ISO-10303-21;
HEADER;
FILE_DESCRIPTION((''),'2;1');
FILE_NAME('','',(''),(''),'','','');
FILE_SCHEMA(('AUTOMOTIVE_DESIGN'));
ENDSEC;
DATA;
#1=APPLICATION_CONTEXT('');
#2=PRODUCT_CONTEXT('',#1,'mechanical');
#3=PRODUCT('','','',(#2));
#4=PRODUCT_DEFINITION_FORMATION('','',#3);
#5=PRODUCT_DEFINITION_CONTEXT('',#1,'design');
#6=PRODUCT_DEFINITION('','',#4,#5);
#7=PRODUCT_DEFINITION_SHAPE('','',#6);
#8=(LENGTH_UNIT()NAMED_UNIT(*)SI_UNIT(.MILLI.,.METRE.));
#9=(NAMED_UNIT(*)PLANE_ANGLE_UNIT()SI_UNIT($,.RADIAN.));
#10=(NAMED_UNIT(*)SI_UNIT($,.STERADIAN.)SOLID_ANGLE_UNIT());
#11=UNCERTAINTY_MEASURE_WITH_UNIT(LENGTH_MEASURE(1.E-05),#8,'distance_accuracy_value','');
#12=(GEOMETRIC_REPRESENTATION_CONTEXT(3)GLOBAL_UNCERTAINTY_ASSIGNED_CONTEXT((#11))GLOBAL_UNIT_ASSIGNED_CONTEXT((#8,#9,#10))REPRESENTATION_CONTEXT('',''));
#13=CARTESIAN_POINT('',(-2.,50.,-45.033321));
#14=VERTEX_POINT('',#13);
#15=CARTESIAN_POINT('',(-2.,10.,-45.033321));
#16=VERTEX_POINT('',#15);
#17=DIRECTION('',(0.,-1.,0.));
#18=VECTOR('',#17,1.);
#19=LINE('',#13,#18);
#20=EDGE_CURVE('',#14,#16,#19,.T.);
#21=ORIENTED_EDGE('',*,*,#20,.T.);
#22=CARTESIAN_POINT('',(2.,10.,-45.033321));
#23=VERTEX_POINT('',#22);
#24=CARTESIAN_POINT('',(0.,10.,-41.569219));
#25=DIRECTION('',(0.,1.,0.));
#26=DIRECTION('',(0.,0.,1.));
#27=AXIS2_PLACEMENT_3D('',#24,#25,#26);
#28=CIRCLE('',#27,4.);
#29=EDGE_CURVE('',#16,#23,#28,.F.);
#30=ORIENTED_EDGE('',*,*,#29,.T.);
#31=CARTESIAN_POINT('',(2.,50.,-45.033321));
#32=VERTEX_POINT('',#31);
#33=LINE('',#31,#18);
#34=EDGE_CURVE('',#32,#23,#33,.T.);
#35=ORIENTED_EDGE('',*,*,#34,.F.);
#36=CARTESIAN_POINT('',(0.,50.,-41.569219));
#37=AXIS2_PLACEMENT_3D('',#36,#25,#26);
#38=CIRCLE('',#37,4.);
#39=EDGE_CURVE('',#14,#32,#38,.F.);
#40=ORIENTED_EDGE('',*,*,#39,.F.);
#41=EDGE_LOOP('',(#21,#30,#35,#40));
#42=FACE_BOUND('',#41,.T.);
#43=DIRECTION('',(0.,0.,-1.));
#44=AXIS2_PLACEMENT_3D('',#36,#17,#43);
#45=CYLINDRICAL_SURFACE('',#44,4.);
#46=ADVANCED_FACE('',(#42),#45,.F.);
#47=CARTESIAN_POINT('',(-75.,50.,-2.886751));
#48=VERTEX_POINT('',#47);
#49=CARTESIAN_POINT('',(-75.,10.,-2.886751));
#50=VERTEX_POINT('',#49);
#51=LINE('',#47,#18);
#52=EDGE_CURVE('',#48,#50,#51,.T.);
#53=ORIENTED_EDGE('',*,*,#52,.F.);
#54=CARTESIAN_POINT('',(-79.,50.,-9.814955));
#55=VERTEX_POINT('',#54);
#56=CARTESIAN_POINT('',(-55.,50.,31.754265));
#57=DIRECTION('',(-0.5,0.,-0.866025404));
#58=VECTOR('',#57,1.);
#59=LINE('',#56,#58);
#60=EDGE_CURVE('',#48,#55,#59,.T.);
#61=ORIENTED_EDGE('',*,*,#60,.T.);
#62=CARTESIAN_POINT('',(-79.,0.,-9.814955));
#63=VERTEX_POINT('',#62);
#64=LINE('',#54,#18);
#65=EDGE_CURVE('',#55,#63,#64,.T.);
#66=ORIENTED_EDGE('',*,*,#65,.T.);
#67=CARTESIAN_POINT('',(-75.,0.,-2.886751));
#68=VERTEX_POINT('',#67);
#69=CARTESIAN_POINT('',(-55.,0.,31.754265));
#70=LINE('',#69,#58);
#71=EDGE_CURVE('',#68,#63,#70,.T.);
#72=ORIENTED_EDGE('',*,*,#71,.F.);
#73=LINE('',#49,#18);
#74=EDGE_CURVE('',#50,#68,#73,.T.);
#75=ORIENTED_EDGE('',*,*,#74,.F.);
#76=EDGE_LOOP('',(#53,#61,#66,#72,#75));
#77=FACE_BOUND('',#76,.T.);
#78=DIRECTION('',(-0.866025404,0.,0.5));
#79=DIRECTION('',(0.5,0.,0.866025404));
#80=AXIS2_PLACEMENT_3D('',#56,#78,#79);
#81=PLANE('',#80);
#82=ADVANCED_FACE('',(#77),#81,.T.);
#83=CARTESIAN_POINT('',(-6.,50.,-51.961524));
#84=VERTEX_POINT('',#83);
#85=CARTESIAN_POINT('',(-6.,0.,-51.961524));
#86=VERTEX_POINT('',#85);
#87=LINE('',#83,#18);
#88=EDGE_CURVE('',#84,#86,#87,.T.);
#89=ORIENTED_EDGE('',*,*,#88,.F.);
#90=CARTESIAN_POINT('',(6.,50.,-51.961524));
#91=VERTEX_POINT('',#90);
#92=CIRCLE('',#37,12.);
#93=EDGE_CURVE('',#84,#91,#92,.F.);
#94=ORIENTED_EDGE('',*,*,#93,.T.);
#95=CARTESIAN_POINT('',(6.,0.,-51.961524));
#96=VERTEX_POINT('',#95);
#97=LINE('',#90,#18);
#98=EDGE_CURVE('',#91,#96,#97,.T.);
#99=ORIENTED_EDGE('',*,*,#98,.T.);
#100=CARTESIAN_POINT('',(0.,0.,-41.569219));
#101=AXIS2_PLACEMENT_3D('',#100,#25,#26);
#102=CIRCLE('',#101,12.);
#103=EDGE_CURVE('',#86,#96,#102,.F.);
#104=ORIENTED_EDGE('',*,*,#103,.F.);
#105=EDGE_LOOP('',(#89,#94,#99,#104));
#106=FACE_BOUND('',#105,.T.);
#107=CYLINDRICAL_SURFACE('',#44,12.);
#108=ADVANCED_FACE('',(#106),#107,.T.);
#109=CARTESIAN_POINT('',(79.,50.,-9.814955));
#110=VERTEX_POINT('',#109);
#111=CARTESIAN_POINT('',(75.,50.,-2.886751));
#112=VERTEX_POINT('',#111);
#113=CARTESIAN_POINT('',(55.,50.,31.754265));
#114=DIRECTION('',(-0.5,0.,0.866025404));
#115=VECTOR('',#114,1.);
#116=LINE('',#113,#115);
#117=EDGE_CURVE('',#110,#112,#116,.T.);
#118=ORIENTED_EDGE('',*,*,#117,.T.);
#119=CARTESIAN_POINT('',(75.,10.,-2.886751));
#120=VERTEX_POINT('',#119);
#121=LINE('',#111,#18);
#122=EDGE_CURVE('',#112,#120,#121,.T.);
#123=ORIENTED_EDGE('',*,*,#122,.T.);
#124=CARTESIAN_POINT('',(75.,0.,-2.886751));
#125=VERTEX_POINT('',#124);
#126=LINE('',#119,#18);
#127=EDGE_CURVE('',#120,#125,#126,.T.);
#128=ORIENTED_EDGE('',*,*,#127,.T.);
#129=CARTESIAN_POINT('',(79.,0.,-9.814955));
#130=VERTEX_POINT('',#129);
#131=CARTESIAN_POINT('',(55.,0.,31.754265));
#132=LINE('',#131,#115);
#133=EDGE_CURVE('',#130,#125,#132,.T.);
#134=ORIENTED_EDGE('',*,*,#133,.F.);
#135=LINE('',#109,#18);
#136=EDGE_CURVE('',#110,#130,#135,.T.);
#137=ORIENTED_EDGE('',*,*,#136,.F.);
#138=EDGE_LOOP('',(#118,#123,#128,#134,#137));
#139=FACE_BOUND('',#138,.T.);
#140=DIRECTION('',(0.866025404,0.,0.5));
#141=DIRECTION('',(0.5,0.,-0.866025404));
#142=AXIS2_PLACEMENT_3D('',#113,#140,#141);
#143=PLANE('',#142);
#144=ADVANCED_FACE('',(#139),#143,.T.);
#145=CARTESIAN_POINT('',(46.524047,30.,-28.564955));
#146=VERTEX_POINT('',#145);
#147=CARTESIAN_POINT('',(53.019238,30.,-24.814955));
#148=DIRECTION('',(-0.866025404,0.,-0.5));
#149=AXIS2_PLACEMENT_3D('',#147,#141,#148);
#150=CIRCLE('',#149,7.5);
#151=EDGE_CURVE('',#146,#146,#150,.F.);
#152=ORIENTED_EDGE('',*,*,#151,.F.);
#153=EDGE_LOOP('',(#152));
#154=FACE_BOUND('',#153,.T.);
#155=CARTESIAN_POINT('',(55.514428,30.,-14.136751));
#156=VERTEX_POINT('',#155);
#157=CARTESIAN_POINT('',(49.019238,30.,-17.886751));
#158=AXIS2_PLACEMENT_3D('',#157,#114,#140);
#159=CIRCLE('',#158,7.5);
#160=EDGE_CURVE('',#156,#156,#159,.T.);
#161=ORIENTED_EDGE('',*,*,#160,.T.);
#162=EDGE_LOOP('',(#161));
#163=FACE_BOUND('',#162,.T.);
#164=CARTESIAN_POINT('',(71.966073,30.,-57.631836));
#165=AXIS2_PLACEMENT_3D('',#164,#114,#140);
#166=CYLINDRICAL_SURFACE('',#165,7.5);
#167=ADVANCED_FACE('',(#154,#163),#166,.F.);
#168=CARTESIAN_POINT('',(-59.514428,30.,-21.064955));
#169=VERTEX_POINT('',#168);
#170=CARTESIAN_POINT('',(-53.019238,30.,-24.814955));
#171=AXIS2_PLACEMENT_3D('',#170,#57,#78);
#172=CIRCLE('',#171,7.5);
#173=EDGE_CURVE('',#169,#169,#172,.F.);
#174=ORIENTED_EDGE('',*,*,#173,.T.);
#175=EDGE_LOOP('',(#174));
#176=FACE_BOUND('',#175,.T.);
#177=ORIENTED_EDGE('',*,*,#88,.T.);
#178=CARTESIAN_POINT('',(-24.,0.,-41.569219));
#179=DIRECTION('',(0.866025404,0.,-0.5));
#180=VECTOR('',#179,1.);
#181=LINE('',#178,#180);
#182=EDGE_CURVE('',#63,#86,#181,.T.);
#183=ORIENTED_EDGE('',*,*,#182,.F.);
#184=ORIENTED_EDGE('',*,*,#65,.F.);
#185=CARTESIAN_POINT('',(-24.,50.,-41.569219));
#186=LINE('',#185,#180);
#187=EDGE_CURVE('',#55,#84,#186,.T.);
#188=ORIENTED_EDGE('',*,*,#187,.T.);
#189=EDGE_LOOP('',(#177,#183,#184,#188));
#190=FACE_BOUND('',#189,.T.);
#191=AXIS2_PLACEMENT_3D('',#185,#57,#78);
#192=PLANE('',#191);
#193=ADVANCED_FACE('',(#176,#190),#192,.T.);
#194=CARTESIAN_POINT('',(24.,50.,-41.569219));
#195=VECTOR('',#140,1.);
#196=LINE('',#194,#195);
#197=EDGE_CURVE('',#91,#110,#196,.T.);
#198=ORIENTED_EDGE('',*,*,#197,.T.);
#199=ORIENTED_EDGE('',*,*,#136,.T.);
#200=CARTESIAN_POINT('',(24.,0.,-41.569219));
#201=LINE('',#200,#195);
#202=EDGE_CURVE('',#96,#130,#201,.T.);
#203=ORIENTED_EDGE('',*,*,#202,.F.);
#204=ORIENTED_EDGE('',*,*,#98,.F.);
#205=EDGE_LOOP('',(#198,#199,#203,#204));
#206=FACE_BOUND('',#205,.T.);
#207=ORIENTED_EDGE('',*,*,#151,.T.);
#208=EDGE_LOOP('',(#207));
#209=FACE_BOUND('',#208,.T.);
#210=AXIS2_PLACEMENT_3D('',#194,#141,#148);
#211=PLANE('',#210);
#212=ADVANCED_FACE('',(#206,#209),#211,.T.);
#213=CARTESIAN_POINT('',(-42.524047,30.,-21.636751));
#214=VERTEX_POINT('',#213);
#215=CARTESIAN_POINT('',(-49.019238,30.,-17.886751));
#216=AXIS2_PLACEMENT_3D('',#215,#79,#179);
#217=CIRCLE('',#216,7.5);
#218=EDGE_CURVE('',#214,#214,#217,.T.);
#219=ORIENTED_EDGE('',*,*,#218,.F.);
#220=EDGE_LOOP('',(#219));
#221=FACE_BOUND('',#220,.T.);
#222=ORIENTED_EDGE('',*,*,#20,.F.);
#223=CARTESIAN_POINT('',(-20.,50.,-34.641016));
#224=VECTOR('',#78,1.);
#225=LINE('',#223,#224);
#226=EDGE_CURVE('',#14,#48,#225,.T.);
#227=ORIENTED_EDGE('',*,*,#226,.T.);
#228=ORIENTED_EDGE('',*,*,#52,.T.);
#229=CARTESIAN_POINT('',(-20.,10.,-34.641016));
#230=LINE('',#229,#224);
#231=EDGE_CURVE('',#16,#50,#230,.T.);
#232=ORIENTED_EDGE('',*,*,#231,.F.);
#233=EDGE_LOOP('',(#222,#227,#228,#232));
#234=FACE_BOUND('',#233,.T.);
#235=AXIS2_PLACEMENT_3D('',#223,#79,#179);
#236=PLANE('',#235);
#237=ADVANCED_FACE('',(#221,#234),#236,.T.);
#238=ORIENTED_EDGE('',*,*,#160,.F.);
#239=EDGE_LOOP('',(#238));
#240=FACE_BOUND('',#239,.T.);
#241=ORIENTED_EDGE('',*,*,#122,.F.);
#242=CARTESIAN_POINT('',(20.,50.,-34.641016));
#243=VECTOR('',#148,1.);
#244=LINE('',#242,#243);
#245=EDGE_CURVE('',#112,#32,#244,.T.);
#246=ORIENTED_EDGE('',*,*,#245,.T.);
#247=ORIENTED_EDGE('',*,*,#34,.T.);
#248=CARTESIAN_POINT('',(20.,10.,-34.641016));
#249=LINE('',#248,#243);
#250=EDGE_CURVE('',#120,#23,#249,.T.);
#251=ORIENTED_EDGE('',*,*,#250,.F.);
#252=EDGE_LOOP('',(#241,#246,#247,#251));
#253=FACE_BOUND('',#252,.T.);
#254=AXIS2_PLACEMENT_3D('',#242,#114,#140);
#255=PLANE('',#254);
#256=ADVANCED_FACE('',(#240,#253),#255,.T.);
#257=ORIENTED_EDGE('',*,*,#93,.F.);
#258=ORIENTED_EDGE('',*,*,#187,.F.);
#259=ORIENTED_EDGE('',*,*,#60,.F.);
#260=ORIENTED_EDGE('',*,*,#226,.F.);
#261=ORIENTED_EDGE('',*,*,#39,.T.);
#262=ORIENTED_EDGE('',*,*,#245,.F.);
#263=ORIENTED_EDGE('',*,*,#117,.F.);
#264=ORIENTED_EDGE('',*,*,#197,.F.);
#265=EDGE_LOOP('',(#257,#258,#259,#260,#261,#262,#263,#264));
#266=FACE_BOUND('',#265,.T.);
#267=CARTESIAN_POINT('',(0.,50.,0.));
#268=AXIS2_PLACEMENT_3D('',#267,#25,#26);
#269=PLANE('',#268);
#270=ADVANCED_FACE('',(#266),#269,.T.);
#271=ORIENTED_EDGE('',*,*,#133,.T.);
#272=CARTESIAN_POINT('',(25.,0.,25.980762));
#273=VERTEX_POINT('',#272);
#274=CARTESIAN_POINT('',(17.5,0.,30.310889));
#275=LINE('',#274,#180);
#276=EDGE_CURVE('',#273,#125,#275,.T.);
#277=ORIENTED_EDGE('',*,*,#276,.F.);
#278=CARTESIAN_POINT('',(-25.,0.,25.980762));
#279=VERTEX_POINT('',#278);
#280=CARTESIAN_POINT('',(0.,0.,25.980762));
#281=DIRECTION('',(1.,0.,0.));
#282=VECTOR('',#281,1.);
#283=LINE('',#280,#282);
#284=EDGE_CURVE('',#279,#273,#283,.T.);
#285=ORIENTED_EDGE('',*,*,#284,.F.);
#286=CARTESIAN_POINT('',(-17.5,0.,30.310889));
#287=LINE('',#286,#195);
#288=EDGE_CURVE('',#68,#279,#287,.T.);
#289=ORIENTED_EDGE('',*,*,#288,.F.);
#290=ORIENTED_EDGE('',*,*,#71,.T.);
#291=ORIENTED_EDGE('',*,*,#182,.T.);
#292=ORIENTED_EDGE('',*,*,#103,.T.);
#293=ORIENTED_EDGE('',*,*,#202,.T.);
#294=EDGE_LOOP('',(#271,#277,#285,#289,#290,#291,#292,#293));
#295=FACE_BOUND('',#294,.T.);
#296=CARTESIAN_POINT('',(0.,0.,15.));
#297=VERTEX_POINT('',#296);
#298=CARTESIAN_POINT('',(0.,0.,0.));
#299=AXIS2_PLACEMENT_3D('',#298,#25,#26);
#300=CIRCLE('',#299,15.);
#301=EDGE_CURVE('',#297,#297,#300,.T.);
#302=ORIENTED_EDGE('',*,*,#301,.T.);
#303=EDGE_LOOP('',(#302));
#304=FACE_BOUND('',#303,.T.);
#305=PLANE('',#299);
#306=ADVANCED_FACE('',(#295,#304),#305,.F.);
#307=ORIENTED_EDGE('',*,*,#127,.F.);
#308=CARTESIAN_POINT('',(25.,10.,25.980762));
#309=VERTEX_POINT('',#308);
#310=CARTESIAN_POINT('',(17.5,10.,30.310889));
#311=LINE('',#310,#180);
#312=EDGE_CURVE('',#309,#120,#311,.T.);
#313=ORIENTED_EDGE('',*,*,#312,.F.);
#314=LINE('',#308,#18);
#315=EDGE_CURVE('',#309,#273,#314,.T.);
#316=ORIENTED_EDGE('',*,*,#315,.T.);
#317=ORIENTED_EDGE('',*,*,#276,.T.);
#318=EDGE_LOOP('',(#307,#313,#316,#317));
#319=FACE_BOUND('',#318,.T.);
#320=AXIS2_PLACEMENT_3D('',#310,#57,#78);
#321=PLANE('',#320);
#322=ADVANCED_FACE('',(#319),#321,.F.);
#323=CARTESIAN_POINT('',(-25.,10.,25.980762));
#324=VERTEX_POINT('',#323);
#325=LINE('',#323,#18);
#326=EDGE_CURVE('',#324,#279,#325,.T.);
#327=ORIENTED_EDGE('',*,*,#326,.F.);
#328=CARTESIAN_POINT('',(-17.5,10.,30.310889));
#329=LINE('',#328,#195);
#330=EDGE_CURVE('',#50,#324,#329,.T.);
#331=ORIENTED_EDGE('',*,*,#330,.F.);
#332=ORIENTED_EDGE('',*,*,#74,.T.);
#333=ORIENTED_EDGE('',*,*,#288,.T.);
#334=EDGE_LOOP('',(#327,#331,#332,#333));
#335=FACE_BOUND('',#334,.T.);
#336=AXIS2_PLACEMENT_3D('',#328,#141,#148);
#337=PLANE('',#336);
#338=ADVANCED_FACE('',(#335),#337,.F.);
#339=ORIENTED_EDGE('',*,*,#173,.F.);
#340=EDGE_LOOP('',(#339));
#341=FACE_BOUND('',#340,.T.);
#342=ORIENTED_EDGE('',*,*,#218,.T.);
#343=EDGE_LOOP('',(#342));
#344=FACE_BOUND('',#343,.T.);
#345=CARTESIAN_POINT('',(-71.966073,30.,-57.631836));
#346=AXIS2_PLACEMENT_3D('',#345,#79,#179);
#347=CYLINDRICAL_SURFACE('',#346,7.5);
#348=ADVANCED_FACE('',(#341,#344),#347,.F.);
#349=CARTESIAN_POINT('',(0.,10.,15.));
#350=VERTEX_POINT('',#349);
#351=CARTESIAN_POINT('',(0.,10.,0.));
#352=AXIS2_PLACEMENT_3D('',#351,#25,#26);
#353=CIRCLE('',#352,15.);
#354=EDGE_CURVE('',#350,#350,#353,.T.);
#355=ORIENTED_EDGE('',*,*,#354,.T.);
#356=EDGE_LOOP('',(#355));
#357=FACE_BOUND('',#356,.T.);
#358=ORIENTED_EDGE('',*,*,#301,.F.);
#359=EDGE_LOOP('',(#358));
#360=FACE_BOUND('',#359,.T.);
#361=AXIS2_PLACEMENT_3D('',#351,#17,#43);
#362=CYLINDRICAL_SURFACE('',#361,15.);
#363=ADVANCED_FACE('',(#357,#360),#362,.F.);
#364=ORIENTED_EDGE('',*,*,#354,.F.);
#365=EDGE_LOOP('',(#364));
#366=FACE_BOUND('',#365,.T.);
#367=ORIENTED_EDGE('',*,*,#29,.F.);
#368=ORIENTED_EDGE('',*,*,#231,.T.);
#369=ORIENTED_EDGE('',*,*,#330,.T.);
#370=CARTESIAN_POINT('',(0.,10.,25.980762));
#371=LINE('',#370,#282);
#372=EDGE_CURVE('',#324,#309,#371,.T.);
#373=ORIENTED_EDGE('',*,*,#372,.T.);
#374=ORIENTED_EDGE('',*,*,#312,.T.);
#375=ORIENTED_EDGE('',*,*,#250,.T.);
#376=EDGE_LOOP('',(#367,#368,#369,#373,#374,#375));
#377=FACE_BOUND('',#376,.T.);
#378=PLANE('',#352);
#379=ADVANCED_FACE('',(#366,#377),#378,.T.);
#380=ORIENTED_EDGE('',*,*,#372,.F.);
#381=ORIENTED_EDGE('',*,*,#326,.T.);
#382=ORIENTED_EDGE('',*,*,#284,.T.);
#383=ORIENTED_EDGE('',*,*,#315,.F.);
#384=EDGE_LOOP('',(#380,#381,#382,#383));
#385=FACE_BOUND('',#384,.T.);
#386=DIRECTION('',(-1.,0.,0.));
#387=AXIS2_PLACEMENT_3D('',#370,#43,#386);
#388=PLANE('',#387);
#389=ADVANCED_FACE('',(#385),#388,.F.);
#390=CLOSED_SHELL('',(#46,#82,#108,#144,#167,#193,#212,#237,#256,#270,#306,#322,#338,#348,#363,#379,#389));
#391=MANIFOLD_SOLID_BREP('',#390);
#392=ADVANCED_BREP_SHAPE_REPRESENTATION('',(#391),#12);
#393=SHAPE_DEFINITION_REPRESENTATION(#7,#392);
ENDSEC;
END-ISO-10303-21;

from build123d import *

# Parameters (mm, degrees)
RESSALTO_EXTRUS_O4_DEPTH = 50
ESBO_O1_7_R              = 15
RESSALTO_EXTRUS_O5_DEPTH = 10
CORTE_EXTRUS_O1_REACH    = 128.396
ESBO_O2_R                = 7.5
CORTE_EXTRUS_O2_REACH    = 128.396
ESBO_O3_R                = 7.5


with BuildPart() as part:
    # Esboço1 → Ressalto-extrusão4 (new body)
    with BuildSketch(Plane(origin=(0, 0, 0), x_dir=(1, 0, 0), z_dir=(0, 1, 0))):
        with BuildLine():
            Line((-75, 2.886751346), (-2, 45.033320997))
            ThreePointArc((-2, 45.033320997), (0, 45.569219382), (2, 45.033320997))
            Line((2, 45.033320997), (75, 2.886751346))
            Line((75, 2.886751346), (79, 9.814954576))
            Line((79, 9.814954576), (6, 51.961524227))
            ThreePointArc((6, 51.961524227), (0, 53.569219382), (-6, 51.961524227))
            Line((-6, 51.961524227), (-79, 9.814954576))
            Line((-79, 9.814954576), (-75, 2.886751346))
        make_face()
    extrude(amount=RESSALTO_EXTRUS_O4_DEPTH)

    # Esboço1<7> → Ressalto-extrusão5 (add)
    with BuildSketch(Plane(origin=(0, 0, 0), x_dir=(1, 0, 0), z_dir=(0, 1, 0))):
        with BuildLine():
            ThreePointArc((2, 45.033320997), (0, 45.569219382), (-2, 45.033320997))
            Line((-2, 45.033320997), (-75, 2.886751346))
            Line((-75, 2.886751346), (-25, -25.980762114))
            Line((-25, -25.980762114), (25, -25.980762114))
            Line((25, -25.980762114), (75, 2.886751346))
            Line((75, 2.886751346), (2, 45.033320997))
        make_face()
        Circle(ESBO_O1_7_R, mode=Mode.SUBTRACT)
    extrude(amount=RESSALTO_EXTRUS_O5_DEPTH)

    # Esboço2 → Corte-extrusão1 (cut, up to next)
    with BuildSketch(Plane(origin=(-20, 0, -34.641016151), x_dir=(0.866025403784438, 0, -0.5000000000000012), z_dir=(0.5000000000000011, 0, 0.8660254037844379)), mode=Mode.PRIVATE) as corte_extrus_o1_sk1:
        with Locations((-33.508529611, 30)):
            Circle(ESBO_O2_R)
    corte_extrus_o1_tool1 = extrude(corte_extrus_o1_sk1.sketch, amount=-CORTE_EXTRUS_O1_REACH, mode=Mode.PRIVATE) & part.part
    add(corte_extrus_o1_tool1.solids().sort_by_distance((-49.019238, 30, -17.886751))[0], mode=Mode.SUBTRACT)

    # Esboço3 → Corte-extrusão2 (cut, up to next)
    with BuildSketch(Plane(origin=(20, 0, -34.641016151), x_dir=(0.866025403784438, 0, 0.5000000000000012), z_dir=(-0.5000000000000011, 0, 0.8660254037844379)), mode=Mode.PRIVATE) as corte_extrus_o2_sk1:
        with Locations((33.508529611, 30)):
            Circle(ESBO_O3_R)
    corte_extrus_o2_tool1 = extrude(corte_extrus_o2_sk1.sketch, amount=-CORTE_EXTRUS_O2_REACH, mode=Mode.PRIVATE) & part.part
    add(corte_extrus_o2_tool1.solids().sort_by_distance((49.019238, 30, -17.886751))[0], mode=Mode.SUBTRACT)


solid = part.part
